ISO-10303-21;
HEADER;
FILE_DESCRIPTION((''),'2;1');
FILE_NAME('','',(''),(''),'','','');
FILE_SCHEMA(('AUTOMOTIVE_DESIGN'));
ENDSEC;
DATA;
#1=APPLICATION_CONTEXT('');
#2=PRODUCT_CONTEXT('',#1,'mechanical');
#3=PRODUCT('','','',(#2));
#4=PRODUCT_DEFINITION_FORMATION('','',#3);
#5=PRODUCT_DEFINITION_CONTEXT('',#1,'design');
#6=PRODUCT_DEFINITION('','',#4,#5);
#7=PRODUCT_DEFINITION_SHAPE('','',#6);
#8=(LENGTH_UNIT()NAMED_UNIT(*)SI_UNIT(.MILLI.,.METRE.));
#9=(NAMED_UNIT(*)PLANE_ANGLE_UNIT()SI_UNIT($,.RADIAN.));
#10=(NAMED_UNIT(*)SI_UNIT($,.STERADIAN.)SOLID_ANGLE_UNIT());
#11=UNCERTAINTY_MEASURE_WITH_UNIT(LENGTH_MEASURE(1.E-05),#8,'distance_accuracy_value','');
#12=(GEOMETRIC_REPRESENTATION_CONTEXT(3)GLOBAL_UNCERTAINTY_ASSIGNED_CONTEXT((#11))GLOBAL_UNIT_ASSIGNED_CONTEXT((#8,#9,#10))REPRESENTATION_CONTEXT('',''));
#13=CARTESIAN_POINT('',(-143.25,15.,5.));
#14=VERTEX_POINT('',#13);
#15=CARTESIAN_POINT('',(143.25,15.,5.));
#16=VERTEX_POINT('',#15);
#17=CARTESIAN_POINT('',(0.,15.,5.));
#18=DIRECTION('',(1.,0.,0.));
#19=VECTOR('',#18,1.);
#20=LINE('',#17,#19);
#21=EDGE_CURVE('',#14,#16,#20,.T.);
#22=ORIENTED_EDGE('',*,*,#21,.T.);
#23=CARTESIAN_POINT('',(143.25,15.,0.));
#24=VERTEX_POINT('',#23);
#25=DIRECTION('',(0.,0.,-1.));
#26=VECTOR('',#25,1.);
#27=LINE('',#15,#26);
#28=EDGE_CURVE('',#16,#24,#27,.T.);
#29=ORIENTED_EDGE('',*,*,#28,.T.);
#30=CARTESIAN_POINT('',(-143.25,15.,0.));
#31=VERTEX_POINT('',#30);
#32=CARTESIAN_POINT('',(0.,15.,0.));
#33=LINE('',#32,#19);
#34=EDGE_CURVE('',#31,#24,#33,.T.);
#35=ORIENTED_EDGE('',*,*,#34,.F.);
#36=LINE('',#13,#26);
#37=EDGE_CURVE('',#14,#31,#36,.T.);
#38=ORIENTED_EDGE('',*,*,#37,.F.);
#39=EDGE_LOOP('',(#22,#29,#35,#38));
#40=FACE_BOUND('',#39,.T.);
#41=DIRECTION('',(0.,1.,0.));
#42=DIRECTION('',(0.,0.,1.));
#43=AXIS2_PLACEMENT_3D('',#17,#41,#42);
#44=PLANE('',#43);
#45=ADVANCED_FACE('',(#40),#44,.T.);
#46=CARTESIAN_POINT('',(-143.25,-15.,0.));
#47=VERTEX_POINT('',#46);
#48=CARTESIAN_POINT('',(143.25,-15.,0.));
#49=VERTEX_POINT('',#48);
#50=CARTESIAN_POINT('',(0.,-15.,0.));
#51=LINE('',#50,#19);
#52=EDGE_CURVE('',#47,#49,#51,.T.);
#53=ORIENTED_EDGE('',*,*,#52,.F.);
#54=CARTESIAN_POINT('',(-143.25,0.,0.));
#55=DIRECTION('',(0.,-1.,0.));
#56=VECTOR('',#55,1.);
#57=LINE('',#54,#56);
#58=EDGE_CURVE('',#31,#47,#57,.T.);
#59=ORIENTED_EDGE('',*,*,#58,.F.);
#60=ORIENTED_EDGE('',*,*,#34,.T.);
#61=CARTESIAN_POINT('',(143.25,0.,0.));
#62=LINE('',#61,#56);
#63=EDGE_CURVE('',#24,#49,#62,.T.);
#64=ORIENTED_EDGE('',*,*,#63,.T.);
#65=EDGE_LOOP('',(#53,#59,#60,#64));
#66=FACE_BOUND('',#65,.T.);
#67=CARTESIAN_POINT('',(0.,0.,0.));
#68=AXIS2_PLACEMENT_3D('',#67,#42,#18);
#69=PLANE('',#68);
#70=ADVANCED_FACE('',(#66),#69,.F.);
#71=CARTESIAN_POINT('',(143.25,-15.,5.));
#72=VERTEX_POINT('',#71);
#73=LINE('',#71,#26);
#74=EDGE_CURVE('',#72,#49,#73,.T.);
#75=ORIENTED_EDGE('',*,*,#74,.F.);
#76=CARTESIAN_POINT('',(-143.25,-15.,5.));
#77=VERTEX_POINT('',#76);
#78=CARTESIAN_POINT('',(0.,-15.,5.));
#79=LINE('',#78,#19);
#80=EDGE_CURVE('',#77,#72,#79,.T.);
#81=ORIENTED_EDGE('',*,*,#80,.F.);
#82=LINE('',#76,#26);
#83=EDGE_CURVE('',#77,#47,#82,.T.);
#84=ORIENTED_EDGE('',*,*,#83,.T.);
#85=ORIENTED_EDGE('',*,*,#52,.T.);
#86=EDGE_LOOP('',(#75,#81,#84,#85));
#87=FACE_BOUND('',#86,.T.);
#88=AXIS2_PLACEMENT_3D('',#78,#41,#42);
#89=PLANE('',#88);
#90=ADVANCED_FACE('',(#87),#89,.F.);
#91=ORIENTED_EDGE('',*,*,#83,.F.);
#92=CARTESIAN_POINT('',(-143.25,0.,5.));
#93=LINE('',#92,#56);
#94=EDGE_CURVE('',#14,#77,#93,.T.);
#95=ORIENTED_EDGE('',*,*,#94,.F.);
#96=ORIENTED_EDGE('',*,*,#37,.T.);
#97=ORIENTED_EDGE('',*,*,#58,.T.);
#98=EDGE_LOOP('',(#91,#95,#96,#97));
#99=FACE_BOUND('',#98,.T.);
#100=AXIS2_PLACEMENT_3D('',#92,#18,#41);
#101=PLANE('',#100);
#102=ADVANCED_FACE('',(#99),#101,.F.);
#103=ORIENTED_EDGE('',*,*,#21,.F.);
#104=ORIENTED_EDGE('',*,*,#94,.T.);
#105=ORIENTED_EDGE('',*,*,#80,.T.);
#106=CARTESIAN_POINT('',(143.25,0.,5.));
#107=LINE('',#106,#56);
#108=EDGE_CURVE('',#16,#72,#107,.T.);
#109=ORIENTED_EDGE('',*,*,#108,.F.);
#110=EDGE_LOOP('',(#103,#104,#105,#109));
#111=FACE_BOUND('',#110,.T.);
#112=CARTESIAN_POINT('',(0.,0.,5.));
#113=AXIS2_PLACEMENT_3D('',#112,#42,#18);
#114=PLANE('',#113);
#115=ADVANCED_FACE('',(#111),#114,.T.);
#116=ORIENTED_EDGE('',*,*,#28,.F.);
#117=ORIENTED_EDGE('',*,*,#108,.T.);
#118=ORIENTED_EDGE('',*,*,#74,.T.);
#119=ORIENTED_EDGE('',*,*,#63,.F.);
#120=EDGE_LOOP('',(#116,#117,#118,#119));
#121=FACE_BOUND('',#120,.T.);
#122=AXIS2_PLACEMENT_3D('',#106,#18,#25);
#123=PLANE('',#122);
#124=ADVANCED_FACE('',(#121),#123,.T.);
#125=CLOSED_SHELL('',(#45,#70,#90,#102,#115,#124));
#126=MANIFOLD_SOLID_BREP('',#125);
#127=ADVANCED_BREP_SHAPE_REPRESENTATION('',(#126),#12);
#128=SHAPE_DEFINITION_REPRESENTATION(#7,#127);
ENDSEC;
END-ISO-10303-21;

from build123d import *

# Parameters (mm, degrees)
SKETCH1_W           = 286.5
SKETCH1_H           = 30
BOSS_EXTRUDE1_DEPTH = 5


with BuildPart() as part:
    # Sketch1 → Boss-Extrude1 (new body)
    with BuildSketch(Plane.XY):
        Rectangle(SKETCH1_W, SKETCH1_H)
    extrude(amount=BOSS_EXTRUDE1_DEPTH)


solid = part.part
